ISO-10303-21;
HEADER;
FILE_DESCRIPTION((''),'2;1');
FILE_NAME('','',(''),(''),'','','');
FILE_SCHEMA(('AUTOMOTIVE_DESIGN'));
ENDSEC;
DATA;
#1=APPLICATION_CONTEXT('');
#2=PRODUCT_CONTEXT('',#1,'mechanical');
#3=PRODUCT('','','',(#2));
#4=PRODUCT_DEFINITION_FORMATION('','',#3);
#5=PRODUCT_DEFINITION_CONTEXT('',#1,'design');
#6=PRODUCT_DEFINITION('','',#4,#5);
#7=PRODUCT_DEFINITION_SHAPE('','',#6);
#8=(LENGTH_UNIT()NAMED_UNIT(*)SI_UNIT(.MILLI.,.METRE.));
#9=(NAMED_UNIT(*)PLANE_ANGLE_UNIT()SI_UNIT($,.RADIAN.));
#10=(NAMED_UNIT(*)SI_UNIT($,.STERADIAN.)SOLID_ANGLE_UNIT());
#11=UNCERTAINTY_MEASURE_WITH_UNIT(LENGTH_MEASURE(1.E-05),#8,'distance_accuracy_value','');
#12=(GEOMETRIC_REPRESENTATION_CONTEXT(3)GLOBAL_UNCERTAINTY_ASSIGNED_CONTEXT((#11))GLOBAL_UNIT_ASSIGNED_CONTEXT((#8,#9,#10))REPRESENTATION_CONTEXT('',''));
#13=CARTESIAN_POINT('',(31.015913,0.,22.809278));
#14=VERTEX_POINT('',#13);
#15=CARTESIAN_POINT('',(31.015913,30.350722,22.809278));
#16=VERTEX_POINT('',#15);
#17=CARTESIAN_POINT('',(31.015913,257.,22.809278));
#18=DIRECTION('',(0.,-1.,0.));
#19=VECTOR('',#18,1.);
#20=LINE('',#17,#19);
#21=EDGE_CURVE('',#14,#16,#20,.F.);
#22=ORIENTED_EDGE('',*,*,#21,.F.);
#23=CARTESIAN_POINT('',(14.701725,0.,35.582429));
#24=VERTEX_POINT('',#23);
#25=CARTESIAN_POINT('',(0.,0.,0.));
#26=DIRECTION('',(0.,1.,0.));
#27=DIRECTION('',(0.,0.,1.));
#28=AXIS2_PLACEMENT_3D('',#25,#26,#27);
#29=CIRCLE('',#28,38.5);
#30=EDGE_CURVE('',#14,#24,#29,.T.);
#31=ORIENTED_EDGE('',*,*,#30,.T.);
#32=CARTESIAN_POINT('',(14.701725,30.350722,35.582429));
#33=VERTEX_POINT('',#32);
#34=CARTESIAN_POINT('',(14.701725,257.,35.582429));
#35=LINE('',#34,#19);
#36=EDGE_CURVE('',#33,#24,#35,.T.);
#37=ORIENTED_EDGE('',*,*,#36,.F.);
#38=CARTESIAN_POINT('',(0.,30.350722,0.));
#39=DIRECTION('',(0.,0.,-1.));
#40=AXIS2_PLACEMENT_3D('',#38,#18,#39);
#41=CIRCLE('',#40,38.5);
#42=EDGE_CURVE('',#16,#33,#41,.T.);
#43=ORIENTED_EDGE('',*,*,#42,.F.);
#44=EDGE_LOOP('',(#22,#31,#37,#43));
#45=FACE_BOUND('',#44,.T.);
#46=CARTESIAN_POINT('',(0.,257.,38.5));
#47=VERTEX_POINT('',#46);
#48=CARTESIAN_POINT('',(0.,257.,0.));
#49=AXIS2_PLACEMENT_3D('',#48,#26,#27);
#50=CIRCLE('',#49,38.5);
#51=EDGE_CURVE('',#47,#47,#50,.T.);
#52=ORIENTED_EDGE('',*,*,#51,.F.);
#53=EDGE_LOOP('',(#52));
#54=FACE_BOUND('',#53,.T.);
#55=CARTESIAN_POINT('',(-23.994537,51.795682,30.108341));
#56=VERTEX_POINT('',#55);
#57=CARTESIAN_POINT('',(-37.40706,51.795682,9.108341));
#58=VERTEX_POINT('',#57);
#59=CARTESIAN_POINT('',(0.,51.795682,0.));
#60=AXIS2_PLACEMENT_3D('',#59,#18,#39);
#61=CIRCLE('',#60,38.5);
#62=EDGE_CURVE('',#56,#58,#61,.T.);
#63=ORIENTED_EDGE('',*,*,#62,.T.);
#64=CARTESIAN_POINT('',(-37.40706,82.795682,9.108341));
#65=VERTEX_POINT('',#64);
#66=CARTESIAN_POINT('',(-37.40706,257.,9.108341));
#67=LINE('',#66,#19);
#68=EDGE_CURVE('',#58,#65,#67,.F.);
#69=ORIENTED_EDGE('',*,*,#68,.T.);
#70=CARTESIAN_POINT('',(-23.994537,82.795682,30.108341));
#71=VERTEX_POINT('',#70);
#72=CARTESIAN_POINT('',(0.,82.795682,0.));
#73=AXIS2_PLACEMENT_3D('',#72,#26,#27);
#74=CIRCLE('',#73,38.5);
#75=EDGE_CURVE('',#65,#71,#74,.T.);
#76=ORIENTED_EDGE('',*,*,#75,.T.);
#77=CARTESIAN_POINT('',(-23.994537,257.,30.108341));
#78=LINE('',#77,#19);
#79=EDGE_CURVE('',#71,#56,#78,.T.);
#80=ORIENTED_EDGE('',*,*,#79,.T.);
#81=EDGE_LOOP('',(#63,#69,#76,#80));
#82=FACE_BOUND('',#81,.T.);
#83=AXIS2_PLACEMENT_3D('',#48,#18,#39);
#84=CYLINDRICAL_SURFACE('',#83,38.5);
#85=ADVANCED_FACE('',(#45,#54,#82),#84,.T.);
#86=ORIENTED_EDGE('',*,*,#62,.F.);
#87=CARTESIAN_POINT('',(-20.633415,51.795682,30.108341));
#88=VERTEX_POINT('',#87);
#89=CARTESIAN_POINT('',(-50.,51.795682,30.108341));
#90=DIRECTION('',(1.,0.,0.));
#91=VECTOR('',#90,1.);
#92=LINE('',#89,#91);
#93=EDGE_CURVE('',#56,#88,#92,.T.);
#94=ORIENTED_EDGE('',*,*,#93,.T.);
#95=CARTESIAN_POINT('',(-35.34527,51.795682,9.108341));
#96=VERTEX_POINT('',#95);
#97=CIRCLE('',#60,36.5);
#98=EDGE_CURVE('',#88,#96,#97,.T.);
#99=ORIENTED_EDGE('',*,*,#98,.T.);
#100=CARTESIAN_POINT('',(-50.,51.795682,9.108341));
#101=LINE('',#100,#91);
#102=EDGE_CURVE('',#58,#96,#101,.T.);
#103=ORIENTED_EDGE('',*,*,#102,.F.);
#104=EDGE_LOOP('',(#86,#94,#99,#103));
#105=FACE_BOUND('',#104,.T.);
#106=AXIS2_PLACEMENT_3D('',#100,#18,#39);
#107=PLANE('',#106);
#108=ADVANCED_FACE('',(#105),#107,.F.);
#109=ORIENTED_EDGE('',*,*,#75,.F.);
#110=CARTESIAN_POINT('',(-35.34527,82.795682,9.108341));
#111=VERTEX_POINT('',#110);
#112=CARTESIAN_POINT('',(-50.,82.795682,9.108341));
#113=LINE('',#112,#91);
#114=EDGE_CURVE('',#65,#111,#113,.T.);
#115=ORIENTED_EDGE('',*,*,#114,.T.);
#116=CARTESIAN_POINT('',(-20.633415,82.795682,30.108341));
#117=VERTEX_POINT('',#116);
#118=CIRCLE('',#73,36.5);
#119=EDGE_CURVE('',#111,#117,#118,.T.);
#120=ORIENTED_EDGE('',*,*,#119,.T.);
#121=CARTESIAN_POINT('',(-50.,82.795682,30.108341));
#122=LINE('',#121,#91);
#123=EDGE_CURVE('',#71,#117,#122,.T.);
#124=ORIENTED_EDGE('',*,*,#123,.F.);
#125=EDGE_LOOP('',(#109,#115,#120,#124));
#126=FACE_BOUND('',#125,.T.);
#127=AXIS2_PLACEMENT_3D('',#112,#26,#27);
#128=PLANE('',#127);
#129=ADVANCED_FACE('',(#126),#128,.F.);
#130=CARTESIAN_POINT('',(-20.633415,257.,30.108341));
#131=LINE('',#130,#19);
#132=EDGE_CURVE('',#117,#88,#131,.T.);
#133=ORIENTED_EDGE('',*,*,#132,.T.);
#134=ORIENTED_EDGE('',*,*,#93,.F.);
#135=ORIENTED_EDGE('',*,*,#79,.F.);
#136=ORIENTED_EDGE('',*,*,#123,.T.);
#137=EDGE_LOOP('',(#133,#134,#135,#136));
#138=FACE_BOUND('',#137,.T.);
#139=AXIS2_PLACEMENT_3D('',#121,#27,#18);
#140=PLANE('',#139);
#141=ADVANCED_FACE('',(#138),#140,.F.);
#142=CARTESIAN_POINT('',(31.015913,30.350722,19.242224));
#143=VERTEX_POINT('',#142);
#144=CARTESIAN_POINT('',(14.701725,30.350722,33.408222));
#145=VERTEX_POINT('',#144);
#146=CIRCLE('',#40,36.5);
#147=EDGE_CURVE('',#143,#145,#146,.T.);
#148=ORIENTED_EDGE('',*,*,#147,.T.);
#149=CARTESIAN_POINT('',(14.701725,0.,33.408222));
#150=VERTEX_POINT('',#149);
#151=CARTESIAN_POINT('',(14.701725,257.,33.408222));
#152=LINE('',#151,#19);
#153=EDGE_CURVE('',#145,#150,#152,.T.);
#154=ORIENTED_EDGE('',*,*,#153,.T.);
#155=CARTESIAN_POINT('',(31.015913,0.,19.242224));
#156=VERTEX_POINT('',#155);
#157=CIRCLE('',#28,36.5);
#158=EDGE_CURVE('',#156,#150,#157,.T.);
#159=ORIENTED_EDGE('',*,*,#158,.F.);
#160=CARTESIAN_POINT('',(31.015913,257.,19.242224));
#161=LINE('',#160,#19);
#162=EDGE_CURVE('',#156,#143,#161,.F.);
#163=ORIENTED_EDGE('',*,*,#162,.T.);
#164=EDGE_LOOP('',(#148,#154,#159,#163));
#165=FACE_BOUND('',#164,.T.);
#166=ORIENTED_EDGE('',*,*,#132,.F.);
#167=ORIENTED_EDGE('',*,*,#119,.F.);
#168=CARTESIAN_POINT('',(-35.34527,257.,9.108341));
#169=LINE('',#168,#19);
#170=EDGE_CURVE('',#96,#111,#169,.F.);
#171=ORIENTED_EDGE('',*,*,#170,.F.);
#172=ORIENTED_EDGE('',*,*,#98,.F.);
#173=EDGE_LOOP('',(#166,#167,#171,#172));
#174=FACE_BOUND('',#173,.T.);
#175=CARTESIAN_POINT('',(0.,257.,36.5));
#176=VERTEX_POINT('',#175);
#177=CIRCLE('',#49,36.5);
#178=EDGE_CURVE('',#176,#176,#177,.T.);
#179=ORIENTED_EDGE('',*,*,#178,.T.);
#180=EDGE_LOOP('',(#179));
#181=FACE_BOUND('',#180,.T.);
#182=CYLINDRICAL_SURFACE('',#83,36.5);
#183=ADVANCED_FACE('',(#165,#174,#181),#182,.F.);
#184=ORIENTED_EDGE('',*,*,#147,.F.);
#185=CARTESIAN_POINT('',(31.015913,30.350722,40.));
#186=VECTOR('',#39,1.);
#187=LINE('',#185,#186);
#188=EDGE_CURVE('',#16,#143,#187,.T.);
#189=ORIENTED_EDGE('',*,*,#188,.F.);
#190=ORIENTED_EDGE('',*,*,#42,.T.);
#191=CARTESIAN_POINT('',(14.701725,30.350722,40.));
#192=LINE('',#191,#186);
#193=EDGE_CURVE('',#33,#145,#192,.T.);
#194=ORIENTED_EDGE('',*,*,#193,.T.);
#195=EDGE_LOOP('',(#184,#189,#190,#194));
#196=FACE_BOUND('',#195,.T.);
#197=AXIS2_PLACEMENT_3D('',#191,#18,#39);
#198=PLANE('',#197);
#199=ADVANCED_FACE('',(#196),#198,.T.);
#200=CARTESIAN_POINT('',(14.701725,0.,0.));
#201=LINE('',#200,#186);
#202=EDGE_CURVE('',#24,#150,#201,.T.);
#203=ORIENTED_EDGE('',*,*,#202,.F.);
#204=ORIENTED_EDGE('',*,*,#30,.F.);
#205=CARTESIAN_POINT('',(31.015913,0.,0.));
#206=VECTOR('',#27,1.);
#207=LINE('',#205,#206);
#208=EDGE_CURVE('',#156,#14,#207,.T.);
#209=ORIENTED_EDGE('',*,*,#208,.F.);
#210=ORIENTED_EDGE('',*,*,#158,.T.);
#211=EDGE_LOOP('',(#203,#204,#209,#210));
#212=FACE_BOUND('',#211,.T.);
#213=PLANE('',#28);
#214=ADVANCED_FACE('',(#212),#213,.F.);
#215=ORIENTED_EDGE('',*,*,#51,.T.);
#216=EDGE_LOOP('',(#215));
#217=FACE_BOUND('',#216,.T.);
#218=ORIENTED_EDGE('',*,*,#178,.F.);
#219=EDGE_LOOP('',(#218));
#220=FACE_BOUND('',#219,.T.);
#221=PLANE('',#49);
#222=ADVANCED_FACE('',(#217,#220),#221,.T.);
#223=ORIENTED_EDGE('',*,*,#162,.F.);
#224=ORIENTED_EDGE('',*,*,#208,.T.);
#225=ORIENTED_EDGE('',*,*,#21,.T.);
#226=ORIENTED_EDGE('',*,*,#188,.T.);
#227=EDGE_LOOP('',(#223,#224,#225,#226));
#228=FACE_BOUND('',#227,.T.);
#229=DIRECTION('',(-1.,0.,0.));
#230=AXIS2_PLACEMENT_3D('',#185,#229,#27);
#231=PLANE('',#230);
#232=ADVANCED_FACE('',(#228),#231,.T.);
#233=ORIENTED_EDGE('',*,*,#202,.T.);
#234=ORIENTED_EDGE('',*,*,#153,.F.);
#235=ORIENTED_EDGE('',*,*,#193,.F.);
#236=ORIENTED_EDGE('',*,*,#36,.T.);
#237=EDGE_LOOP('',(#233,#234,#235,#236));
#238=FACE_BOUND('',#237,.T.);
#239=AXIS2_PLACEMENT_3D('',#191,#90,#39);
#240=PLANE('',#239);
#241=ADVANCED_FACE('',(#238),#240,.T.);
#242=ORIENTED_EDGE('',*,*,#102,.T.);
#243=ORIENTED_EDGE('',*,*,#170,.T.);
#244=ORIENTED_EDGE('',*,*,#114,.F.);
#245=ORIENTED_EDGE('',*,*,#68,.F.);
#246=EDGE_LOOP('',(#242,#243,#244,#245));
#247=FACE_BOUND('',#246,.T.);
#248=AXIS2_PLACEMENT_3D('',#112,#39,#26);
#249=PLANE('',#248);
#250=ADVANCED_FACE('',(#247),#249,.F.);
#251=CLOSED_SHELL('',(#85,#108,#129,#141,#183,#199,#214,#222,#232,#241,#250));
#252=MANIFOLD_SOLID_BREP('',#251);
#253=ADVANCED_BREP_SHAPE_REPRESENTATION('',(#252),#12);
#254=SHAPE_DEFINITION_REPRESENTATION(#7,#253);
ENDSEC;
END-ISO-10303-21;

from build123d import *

# Parameters (mm, degrees)
SKETCH1_R           = 38.5
SKETCH1_R_2         = 36.5
BOSS_EXTRUDE1_DEPTH = 257
SKETCH3_W           = 21
SKETCH3_H           = 31
CUT_EXTRUDE1_DEPTH  = 50
SKETCH8_W           = 16.314187307
SKETCH8_H           = 32.341181037
CUT_EXTRUDE4_DEPTH  = 40


with BuildPart() as part:
    # Sketch1 → Boss-Extrude1 (new body)
    with BuildSketch(Plane(origin=(0, 0, 0), x_dir=(1, 0, 0), z_dir=(0, 1, 0))):
        with Locations(Location((0, 0, 0), (0, 0, 270))):
            Circle(SKETCH1_R)
        with Locations(Location((0, 0, 0), (0, 0, 270))):
            Circle(SKETCH1_R_2, mode=Mode.SUBTRACT)
    extrude(amount=BOSS_EXTRUDE1_DEPTH)

    # Sketch3 → Cut-Extrude1 (cut)
    with BuildSketch(Plane(origin=(0, 0, 0), x_dir=(0, 0, -1), z_dir=(1, 0, 0))):
        with Locations((-19.608340935, 67.295682387)):
            Rectangle(SKETCH3_W, SKETCH3_H)
    extrude(amount=-CUT_EXTRUDE1_DEPTH, mode=Mode.SUBTRACT)

    # Sketch8 → Cut-Extrude4 (cut)
    with BuildSketch(Plane.XY):
        with Locations((22.858818879, 14.180131948)):
            Rectangle(SKETCH8_W, SKETCH8_H)
    extrude(amount=CUT_EXTRUDE4_DEPTH, mode=Mode.SUBTRACT)


solid = part.part
